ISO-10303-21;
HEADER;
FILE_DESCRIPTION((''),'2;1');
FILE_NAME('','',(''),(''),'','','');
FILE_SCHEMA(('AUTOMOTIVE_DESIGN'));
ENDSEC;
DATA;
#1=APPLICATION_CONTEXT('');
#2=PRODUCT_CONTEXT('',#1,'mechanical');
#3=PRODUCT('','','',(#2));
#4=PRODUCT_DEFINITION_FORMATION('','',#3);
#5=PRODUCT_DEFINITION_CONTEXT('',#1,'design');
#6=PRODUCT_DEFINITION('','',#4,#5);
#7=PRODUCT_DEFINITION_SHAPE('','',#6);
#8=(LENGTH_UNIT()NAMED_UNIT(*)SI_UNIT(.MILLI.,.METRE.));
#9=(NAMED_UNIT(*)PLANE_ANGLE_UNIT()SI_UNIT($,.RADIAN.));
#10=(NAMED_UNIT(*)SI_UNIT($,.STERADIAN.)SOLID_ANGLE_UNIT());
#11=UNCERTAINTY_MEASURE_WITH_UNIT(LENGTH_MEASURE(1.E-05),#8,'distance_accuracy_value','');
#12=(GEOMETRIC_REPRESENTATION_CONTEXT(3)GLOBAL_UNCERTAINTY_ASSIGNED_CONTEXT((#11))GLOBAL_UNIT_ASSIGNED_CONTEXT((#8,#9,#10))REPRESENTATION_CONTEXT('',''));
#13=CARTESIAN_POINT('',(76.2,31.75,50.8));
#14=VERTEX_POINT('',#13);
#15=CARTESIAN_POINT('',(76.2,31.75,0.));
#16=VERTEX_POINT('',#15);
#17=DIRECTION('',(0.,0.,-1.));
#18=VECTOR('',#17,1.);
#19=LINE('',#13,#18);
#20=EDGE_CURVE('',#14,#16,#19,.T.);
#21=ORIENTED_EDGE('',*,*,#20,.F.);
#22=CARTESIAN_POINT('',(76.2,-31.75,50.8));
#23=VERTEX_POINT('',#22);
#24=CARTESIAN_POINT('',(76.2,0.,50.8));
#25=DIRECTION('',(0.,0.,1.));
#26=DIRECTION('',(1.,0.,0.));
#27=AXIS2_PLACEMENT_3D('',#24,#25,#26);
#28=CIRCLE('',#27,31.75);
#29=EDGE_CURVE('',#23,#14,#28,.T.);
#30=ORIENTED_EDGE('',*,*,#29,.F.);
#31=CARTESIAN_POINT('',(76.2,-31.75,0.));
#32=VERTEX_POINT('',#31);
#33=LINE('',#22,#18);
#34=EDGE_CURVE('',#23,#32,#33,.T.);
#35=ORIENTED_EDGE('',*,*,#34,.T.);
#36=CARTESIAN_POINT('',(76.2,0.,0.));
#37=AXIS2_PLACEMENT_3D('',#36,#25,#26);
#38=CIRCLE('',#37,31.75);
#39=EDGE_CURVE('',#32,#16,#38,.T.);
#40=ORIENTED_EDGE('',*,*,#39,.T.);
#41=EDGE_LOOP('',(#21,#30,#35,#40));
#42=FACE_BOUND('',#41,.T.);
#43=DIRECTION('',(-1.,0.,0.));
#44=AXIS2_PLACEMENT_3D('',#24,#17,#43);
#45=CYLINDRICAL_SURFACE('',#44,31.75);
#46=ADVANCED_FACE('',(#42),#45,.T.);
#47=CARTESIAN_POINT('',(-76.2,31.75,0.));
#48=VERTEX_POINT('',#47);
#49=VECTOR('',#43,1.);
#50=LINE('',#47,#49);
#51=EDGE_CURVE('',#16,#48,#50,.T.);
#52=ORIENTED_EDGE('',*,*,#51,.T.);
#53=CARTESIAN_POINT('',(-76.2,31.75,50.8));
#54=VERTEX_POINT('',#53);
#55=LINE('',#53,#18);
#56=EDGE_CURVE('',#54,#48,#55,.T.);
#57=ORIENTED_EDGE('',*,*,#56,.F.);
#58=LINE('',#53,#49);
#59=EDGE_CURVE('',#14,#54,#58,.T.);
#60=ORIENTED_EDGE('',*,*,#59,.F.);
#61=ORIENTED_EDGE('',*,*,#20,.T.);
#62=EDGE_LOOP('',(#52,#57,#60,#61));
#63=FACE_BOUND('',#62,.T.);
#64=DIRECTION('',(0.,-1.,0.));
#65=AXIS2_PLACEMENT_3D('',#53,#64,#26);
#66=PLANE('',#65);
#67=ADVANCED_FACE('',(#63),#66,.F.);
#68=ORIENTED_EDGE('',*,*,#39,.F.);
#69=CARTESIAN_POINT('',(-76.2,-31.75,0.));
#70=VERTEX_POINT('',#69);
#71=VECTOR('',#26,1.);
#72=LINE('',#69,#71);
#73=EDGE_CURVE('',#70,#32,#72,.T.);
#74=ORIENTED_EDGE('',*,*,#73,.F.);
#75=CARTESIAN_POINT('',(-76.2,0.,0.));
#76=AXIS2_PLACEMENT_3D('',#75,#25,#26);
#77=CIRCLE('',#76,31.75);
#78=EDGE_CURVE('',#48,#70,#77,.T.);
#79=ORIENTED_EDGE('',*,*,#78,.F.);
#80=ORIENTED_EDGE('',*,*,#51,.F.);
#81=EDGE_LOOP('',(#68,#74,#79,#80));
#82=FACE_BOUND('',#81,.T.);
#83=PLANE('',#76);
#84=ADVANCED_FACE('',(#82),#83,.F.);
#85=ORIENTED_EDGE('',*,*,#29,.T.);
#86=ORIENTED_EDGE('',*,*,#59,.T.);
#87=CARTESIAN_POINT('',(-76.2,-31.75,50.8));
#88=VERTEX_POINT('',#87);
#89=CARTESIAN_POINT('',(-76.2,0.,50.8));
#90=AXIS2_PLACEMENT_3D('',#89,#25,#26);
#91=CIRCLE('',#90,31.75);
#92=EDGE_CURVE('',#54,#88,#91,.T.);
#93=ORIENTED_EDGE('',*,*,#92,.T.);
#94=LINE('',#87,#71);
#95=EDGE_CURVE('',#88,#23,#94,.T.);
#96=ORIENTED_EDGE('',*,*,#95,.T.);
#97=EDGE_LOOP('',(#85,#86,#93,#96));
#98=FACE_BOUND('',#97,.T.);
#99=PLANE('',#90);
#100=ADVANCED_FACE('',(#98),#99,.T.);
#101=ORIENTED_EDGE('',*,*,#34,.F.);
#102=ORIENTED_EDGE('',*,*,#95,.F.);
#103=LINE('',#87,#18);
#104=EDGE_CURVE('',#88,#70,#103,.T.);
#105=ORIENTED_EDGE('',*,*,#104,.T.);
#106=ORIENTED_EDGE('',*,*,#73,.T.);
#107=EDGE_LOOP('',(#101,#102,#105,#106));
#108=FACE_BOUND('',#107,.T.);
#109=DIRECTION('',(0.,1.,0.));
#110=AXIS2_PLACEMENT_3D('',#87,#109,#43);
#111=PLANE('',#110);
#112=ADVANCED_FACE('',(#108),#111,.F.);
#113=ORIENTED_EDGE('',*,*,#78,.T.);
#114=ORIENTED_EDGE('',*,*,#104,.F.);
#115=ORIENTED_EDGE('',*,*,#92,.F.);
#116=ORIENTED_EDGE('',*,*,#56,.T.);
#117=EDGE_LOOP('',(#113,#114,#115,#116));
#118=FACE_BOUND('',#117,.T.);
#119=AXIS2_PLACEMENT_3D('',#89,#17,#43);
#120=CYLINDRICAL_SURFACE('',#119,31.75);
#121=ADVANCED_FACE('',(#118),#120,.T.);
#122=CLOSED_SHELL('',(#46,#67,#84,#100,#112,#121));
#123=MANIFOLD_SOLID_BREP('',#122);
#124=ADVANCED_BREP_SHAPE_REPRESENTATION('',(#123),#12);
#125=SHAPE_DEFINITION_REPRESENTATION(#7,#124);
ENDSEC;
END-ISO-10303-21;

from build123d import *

# Parameters (mm, degrees)
BOSS_EXTRUDE1_DEPTH = 50.8


with BuildPart() as part:
    # Sketch1 → Boss-Extrude1 (new body)
    with BuildSketch(Plane.XY):
        with BuildLine():
            Line((-76.2, 31.75), (76.2, 31.75))
            ThreePointArc((76.2, 31.75), (107.95, 0), (76.2, -31.75))
            Line((76.2, -31.75), (-76.2, -31.75))
            ThreePointArc((-76.2, -31.75), (-107.95, 0), (-76.2, 31.75))
        make_face()
    extrude(amount=BOSS_EXTRUDE1_DEPTH)


solid = part.part
